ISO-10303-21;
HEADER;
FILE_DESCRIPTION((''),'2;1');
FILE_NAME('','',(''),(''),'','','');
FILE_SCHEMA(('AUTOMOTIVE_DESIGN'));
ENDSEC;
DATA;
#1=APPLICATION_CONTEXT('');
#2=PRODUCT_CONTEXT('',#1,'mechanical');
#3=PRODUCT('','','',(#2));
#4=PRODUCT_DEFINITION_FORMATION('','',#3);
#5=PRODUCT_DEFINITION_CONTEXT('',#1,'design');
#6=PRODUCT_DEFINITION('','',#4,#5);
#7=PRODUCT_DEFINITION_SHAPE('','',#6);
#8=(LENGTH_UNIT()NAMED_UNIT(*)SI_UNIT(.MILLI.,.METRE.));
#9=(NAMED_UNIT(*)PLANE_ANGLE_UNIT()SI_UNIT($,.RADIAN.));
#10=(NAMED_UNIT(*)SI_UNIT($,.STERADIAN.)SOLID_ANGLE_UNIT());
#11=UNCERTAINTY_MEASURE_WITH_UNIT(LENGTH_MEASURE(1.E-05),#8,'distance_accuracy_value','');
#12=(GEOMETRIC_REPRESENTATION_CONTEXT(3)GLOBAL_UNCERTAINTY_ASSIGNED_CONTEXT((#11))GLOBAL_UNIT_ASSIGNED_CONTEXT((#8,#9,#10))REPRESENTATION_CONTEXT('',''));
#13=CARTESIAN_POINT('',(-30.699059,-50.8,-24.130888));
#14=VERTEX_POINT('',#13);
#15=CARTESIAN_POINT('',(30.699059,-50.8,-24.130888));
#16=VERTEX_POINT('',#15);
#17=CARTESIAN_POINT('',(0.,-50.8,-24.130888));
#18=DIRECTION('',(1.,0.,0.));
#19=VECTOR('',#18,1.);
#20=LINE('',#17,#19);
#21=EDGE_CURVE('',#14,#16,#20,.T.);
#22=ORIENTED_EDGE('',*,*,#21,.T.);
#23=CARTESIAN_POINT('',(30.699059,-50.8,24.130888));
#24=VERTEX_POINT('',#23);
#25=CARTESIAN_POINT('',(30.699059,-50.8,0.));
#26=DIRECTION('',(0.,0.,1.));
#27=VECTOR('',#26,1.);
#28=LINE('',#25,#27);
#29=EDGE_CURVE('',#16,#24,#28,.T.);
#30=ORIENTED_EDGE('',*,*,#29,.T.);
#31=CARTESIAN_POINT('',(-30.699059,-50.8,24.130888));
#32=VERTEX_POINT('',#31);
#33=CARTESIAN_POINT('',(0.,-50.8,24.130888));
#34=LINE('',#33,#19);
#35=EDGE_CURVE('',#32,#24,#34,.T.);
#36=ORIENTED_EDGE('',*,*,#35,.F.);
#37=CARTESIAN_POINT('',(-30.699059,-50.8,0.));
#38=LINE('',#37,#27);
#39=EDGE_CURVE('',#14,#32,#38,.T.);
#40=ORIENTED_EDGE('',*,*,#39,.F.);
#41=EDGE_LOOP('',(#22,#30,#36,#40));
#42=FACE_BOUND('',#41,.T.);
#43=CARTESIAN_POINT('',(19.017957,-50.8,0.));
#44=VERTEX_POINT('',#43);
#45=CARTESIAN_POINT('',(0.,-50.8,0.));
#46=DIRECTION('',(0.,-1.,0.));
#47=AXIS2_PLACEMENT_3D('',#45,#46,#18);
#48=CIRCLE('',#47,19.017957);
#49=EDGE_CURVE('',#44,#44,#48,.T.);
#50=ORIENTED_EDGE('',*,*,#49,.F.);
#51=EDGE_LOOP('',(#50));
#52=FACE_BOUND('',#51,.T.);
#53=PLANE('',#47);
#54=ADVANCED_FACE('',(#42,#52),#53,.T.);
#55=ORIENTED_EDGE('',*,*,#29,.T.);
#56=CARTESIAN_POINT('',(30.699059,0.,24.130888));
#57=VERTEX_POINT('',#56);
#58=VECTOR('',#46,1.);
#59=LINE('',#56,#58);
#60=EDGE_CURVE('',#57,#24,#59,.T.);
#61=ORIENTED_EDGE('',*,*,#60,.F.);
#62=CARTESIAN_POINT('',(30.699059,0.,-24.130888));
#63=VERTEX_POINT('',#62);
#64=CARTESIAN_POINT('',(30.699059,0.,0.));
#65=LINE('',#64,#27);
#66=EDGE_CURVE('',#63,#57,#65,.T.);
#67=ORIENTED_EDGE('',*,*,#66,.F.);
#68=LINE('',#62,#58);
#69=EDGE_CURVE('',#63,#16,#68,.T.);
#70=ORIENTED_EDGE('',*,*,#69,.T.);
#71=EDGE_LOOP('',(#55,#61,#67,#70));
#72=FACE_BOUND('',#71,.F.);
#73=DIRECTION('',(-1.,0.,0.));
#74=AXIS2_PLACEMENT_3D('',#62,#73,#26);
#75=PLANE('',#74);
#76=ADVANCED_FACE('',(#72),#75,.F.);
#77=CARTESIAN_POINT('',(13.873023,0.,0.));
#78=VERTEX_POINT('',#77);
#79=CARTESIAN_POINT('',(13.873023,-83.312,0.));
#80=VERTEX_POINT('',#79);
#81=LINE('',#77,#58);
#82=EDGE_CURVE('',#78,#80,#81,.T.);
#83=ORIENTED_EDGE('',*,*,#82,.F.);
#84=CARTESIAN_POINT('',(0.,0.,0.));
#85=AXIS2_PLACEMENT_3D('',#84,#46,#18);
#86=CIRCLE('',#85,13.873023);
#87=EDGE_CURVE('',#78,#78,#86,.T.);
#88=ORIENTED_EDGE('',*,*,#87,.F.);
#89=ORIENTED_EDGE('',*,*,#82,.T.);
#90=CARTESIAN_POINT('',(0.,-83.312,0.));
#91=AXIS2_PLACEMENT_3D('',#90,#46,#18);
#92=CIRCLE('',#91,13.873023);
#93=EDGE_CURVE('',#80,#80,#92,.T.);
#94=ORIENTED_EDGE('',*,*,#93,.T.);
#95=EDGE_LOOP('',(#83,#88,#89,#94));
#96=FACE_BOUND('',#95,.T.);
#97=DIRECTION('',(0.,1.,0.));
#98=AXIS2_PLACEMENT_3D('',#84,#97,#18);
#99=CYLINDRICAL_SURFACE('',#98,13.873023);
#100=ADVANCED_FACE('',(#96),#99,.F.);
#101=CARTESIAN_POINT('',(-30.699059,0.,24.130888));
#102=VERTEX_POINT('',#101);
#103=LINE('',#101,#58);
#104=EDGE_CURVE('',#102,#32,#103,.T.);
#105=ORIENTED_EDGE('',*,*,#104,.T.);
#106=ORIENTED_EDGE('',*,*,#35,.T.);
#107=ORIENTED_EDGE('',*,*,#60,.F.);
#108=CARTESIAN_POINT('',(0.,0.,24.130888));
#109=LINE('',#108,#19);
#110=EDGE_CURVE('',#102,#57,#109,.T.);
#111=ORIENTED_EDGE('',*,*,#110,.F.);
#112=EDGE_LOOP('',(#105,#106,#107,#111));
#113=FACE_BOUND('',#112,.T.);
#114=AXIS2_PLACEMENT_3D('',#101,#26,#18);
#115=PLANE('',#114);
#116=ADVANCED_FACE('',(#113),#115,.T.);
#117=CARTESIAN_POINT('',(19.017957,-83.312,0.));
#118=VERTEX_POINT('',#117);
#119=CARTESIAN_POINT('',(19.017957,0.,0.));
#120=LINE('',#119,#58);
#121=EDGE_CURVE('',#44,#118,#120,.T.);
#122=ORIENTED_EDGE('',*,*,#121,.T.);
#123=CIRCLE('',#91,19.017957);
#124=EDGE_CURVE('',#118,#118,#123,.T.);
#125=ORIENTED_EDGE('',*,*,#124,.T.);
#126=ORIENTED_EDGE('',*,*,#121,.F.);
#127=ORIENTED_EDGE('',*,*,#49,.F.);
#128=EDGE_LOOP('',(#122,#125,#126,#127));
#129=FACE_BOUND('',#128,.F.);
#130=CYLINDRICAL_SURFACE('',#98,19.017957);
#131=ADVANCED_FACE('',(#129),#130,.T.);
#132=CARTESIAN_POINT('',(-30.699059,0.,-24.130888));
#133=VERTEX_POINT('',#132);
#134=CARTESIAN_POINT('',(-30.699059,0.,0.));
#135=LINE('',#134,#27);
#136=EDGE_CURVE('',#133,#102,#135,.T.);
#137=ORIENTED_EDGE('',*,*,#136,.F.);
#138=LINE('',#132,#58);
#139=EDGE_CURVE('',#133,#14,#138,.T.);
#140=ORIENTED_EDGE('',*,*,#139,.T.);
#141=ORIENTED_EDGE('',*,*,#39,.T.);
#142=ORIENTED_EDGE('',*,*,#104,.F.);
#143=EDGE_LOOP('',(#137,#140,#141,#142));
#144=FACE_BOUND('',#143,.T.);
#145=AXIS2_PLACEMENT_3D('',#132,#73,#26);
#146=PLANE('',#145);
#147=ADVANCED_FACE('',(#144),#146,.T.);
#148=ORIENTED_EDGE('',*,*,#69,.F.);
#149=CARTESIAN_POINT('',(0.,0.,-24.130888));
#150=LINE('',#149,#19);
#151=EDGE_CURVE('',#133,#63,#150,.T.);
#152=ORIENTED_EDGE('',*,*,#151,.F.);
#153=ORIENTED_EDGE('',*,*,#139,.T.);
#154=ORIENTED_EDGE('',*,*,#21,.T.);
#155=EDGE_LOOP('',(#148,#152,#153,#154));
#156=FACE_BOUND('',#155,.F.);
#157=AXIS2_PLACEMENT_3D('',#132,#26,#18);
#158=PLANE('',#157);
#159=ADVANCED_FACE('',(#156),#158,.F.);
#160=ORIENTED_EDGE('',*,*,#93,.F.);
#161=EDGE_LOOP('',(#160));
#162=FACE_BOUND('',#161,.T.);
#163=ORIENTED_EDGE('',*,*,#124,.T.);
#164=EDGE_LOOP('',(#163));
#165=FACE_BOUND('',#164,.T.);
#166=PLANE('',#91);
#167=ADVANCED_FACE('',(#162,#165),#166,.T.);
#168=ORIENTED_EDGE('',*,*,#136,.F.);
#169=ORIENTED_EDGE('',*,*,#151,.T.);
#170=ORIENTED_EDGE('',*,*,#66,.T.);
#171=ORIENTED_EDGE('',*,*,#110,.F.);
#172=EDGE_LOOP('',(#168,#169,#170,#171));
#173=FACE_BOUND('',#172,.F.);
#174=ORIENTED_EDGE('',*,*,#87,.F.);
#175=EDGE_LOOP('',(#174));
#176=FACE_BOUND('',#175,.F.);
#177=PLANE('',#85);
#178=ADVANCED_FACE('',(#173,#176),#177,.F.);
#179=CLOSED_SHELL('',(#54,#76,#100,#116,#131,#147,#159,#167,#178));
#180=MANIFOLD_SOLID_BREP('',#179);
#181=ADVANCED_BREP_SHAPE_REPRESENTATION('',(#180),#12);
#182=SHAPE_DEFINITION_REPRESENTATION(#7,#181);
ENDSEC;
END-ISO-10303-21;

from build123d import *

# Parameters (mm, degrees)
F0_W     = 61.398118
F0_H     = 48.261776
F0_R     = 19.017957
F1_DEPTH = 50.8
F0_R_2   = 13.873023
F2_DEPTH = 83.312


with BuildPart() as f1:
    # F0 (on Front) → F1 (new body)
    with BuildSketch(Plane.XZ):
        Rectangle(F0_W, F0_H)
        Circle(F0_R, mode=Mode.SUBTRACT)
    extrude(amount=F1_DEPTH)

    # F0 (on Front) → F2 (join)
    with BuildSketch(Plane.XZ):
        Circle(F0_R)
        Circle(F0_R_2, mode=Mode.SUBTRACT)
    extrude(amount=F2_DEPTH)


solid = f1.part
